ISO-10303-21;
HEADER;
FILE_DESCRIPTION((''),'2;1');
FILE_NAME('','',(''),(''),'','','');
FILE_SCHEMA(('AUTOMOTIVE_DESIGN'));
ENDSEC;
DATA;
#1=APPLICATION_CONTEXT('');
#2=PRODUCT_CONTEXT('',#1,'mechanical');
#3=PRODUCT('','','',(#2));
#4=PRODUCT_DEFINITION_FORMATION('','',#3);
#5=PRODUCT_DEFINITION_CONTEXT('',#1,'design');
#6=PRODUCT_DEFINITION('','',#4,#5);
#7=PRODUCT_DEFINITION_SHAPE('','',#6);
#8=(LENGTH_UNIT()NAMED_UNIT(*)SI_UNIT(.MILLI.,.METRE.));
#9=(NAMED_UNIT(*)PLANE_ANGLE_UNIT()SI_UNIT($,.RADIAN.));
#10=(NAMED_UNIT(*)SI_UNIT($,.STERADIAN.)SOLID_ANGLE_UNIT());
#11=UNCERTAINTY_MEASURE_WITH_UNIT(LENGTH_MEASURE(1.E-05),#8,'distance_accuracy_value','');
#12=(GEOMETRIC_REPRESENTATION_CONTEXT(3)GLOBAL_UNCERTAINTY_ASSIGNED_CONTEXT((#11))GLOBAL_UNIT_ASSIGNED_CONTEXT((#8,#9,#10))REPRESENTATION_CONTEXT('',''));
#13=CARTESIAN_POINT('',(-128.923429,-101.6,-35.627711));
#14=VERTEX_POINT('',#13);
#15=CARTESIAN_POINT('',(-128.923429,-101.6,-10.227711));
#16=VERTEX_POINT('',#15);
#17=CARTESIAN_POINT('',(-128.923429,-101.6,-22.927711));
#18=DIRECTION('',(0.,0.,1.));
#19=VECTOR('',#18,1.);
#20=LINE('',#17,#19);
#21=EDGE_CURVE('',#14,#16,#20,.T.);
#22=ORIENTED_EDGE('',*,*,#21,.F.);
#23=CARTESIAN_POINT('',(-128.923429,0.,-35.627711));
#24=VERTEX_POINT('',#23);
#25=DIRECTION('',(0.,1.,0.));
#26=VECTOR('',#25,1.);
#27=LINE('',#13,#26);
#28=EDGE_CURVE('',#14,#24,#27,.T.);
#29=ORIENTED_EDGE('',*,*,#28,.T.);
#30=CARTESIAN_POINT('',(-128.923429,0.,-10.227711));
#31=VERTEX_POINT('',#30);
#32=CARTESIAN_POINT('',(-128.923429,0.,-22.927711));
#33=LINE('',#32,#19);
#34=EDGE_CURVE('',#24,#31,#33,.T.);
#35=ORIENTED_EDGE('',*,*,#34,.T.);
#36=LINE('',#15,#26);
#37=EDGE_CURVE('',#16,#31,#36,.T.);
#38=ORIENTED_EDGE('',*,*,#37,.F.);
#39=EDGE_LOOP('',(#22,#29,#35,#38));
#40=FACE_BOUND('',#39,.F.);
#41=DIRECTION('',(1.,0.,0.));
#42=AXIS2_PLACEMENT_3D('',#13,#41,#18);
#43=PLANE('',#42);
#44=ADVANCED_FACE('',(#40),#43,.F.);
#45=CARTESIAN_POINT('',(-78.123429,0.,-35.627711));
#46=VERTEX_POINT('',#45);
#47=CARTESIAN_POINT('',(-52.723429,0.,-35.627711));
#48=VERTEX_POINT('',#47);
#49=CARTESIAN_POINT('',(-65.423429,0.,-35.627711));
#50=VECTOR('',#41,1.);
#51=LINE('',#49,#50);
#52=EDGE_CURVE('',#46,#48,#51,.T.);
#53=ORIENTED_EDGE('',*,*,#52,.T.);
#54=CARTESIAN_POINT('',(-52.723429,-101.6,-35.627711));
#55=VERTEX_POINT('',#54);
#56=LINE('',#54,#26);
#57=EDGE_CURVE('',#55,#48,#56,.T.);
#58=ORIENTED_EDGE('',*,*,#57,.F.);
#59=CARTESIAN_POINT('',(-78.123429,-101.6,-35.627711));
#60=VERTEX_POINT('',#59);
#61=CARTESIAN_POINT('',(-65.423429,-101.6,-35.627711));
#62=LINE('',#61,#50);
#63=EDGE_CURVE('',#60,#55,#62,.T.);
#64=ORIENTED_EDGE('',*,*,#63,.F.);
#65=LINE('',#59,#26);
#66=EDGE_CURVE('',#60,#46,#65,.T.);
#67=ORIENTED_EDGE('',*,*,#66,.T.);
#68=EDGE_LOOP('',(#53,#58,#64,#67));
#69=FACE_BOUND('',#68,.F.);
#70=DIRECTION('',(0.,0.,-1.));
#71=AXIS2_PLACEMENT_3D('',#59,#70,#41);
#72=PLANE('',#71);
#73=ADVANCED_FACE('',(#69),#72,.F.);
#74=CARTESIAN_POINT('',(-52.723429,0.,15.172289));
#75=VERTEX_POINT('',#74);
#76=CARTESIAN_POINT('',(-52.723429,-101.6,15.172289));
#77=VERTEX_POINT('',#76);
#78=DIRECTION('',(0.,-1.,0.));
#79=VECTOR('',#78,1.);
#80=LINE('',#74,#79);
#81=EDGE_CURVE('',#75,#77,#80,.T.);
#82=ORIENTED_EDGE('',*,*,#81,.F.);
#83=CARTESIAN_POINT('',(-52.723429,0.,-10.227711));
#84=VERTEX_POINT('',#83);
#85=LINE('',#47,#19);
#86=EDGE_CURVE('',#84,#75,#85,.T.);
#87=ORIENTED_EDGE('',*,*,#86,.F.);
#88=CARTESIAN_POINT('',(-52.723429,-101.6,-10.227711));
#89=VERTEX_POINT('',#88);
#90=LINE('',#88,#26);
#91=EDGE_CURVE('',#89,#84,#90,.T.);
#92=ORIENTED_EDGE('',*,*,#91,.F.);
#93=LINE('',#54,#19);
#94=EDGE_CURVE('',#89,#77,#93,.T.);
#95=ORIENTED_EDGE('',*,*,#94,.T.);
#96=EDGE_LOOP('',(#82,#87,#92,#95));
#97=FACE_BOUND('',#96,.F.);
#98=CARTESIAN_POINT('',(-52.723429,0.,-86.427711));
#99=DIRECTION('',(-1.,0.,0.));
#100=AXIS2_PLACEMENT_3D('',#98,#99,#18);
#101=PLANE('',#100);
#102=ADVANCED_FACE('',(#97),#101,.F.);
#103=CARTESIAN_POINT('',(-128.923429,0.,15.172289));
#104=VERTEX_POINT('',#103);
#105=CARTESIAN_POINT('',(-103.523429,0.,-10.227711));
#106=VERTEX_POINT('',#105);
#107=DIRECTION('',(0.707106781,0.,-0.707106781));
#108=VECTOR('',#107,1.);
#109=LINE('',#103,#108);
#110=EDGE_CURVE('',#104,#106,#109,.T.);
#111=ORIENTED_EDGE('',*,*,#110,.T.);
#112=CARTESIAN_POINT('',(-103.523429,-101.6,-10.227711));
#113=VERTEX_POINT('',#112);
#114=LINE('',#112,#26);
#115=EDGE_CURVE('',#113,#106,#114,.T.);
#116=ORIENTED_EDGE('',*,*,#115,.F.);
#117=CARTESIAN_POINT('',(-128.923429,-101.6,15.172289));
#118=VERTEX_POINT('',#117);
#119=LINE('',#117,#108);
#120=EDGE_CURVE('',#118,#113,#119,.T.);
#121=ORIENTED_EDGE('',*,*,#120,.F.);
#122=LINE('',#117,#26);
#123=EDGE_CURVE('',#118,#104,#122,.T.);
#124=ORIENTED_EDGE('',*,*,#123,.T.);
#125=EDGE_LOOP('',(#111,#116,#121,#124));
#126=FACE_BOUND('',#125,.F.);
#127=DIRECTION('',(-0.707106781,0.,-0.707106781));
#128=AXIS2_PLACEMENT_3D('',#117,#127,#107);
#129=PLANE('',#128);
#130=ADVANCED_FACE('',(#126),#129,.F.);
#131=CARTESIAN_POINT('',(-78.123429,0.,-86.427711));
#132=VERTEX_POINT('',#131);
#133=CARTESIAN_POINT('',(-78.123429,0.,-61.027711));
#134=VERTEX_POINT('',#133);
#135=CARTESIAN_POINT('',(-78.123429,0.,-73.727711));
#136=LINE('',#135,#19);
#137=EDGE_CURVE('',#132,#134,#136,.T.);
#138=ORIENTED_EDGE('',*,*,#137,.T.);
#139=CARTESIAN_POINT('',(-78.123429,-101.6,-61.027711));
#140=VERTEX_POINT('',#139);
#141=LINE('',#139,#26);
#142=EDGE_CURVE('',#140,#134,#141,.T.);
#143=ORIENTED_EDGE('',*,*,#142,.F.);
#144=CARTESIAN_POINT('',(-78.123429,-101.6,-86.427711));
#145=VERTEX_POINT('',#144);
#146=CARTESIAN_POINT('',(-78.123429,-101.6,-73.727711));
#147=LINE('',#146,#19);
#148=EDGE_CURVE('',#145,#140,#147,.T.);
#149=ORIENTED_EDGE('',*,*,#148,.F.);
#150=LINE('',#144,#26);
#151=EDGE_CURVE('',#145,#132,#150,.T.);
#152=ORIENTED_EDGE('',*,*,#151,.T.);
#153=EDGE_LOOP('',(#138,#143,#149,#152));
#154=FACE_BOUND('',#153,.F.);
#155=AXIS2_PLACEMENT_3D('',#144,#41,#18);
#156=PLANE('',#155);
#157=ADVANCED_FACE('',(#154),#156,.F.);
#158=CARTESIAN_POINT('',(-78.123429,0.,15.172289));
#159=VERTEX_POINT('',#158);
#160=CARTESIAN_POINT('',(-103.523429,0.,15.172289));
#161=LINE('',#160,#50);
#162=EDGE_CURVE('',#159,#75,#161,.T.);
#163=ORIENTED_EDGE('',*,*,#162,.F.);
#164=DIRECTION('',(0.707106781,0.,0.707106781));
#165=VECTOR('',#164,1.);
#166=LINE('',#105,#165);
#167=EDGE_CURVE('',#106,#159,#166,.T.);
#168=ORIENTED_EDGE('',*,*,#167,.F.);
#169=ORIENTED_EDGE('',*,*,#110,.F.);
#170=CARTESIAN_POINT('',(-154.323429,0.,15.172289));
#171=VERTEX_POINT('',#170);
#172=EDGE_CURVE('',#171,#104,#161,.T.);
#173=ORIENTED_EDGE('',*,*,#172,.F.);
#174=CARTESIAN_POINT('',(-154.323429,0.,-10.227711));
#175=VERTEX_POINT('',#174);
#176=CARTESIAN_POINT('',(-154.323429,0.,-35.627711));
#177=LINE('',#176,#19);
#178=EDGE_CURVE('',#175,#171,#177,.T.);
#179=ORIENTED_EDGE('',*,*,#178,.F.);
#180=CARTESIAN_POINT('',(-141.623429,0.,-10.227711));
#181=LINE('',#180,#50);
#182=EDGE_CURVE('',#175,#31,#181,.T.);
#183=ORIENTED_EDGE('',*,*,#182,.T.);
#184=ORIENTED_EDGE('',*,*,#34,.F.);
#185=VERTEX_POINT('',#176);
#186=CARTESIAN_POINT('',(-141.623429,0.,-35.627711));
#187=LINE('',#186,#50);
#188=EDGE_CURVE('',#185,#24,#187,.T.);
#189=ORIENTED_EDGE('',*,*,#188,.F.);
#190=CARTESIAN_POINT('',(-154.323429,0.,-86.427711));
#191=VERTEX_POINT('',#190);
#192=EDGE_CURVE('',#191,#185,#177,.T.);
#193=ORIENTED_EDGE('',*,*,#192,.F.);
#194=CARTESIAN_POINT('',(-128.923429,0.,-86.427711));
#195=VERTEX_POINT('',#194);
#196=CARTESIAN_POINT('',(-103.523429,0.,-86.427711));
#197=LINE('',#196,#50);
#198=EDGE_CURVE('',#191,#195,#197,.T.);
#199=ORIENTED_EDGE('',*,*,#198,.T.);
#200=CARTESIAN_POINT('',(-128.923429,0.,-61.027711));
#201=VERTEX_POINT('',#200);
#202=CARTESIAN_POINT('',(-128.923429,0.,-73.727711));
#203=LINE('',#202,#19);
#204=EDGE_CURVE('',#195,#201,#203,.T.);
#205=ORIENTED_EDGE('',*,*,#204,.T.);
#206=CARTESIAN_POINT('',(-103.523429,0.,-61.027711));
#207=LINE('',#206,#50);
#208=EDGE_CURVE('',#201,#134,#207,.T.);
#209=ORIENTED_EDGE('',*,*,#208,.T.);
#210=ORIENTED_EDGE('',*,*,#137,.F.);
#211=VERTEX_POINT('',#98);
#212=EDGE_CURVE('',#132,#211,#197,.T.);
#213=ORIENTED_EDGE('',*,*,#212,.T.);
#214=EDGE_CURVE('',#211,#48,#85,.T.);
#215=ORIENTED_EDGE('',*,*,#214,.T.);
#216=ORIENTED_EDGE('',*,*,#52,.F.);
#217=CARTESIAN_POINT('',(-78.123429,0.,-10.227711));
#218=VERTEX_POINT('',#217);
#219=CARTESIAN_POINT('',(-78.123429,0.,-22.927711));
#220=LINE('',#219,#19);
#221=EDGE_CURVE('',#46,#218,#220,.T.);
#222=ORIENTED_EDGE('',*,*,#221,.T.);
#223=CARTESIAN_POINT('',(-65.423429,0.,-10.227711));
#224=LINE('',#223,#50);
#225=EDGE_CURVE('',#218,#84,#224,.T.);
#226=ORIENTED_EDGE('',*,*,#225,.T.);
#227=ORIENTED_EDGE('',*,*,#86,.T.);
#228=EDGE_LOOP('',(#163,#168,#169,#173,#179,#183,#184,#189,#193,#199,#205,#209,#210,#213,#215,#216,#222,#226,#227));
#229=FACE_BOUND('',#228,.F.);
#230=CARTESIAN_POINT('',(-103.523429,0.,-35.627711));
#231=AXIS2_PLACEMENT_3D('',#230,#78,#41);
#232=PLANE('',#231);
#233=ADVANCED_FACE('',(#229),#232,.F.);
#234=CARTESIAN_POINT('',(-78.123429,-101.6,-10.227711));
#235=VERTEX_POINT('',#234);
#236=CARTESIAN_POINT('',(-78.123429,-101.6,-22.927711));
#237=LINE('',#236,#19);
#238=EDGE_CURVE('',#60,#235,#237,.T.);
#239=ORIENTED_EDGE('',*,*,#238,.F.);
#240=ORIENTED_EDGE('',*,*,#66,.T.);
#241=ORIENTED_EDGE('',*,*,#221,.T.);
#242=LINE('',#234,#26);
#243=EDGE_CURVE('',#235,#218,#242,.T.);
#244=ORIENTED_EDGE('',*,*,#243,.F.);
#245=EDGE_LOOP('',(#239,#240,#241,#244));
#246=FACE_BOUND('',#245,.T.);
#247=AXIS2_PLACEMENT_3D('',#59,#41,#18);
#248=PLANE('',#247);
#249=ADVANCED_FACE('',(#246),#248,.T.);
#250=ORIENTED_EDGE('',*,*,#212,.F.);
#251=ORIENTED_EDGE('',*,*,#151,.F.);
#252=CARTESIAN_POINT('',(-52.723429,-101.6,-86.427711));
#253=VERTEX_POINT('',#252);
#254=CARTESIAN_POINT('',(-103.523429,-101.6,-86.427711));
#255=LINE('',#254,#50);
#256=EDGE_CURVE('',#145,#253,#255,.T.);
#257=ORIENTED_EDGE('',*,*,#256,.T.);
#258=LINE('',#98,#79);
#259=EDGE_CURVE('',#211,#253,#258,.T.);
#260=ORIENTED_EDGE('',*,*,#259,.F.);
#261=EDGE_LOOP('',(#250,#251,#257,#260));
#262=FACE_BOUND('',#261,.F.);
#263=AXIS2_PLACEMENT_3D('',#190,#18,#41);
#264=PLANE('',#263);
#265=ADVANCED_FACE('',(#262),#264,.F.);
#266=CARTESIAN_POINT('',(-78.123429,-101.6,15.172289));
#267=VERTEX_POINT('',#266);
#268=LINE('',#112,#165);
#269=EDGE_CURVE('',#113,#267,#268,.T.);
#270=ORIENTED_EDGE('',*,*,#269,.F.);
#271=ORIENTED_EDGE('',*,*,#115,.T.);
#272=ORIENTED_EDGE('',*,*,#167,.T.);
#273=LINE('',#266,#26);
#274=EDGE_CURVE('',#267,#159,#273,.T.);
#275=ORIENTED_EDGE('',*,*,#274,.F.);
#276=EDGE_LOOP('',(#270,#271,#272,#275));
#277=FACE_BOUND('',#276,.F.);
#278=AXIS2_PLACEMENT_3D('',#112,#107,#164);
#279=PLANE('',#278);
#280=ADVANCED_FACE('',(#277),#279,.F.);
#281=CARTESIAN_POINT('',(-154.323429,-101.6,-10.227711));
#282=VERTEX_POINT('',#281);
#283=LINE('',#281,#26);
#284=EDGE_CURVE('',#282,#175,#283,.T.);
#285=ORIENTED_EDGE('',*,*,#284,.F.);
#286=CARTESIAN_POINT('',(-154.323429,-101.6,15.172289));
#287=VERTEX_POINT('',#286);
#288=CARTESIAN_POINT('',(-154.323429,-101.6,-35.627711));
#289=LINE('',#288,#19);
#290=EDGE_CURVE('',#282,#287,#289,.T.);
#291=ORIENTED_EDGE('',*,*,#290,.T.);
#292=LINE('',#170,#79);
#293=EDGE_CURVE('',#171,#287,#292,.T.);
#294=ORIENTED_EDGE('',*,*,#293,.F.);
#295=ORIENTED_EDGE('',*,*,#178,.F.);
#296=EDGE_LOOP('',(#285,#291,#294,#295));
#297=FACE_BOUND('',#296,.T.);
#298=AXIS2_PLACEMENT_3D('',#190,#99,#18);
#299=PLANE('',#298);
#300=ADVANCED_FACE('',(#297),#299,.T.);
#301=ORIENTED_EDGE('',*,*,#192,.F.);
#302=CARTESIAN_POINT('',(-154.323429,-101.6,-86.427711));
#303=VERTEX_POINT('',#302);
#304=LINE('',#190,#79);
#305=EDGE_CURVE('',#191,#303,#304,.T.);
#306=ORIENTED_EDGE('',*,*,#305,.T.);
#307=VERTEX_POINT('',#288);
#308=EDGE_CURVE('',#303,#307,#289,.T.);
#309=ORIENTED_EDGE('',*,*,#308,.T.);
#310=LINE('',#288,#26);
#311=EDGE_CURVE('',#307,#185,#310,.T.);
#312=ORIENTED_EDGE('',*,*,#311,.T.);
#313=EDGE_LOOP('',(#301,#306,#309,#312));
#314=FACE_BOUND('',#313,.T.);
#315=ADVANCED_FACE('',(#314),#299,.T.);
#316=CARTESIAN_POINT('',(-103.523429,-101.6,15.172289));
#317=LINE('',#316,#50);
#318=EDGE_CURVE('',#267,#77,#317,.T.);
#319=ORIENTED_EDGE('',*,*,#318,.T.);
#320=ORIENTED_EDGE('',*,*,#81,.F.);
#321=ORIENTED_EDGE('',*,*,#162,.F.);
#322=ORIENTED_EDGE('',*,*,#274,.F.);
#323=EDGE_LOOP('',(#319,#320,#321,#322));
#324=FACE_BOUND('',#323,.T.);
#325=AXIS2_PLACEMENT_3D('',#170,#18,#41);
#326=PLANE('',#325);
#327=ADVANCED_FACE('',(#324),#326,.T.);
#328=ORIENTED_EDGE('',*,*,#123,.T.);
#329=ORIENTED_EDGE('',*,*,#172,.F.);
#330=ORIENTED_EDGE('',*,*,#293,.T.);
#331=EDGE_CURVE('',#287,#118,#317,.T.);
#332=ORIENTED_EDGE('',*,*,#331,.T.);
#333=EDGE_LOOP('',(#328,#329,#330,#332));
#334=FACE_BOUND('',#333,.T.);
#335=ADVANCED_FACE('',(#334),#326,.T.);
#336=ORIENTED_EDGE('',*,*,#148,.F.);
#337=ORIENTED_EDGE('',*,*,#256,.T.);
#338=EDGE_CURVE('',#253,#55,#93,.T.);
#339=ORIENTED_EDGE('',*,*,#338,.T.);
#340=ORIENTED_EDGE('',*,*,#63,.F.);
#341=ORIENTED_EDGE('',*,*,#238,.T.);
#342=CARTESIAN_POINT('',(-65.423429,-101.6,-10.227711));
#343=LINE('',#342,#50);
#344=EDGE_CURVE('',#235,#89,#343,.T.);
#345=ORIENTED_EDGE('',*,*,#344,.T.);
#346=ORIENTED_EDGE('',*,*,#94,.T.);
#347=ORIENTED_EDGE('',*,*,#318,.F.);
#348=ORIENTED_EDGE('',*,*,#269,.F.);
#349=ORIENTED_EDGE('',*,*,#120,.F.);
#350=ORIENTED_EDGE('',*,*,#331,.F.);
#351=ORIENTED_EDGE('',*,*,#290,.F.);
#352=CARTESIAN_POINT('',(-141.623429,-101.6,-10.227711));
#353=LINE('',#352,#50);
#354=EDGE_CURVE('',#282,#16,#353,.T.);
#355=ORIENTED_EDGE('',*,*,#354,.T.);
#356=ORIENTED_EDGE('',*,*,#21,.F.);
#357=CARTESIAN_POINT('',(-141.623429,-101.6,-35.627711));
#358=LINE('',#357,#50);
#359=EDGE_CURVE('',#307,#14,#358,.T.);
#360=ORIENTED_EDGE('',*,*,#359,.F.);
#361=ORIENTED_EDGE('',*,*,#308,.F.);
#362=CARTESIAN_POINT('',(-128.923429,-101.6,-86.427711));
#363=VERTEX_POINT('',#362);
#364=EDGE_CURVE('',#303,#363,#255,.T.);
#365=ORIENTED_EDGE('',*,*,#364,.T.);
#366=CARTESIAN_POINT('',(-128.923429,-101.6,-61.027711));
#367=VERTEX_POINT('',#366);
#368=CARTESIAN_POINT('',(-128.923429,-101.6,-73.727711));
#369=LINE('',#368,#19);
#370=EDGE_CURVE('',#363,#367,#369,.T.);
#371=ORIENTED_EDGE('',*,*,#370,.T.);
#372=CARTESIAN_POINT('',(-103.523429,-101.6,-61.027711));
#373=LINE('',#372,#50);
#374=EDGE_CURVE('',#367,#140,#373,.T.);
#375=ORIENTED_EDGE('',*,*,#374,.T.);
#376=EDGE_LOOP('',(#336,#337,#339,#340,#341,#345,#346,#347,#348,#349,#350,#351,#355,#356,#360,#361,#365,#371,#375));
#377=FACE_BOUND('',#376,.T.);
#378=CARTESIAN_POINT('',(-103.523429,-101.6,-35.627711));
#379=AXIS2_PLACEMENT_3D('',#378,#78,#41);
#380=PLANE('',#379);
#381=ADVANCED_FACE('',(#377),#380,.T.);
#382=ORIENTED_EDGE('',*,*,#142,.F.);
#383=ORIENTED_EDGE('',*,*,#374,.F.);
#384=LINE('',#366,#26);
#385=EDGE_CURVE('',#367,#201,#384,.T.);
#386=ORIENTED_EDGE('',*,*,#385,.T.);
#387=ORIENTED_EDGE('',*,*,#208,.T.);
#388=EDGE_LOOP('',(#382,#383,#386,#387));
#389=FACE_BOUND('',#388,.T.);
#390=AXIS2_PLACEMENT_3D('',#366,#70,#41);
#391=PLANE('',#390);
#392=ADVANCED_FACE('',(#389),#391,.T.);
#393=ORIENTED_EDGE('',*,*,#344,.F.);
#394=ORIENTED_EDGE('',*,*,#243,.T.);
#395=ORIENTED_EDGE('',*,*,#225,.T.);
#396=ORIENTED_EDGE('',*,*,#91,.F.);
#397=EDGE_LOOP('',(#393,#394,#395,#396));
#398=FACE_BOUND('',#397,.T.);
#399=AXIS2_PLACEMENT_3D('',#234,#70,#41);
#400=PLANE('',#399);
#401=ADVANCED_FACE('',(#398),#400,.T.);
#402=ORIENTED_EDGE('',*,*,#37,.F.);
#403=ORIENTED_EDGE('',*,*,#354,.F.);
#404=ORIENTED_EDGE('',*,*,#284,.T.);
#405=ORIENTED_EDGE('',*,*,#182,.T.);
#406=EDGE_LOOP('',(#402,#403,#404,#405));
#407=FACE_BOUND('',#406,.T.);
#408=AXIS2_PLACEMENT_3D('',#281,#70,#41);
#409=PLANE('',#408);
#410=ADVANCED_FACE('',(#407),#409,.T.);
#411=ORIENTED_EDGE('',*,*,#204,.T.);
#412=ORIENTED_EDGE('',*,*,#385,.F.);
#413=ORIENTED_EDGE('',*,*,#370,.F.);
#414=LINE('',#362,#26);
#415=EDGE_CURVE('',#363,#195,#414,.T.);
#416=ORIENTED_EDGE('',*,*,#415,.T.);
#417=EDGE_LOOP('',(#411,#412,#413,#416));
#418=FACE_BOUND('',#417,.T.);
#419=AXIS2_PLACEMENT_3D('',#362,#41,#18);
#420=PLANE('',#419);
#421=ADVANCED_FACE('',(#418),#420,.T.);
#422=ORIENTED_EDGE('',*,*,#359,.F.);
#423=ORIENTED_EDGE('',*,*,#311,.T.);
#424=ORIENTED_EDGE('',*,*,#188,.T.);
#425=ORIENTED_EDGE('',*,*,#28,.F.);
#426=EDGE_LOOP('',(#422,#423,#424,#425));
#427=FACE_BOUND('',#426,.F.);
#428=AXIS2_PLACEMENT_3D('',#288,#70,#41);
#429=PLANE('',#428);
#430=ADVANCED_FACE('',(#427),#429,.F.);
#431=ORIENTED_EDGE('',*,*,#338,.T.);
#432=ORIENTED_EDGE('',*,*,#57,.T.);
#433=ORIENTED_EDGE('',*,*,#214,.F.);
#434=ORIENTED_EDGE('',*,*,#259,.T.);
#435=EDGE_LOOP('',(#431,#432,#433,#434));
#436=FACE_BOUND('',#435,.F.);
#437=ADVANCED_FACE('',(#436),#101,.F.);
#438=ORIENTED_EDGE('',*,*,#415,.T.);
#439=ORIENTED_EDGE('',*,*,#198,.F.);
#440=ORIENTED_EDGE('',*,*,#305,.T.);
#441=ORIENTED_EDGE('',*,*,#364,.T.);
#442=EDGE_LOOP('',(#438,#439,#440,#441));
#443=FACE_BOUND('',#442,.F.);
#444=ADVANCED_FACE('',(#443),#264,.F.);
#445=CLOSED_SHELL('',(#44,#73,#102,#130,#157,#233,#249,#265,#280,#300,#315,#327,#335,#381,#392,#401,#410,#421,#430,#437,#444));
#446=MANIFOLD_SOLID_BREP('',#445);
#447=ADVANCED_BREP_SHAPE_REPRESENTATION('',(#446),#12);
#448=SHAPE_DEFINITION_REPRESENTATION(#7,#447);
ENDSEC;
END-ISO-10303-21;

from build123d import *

# Parameters (mm, degrees)
F0_W     = 101.6
F0_H     = 101.6
F1_DEPTH = 101.6
F2_W     = 25.4
F2_H     = 25.4
F3_DEPTH = 101.6
F5_DEPTH = 101.6
F6_W     = 50.8
F6_H     = 25.4
F7_DEPTH = 101.6


with BuildPart() as f1:
    # F0 (on Front) → F1 (new body)
    with BuildSketch(Plane.XZ):
        with Locations((-103.523429, -35.627711)):
            Rectangle(F0_W, F0_H)
    extrude(amount=F1_DEPTH)

    # F2 (on face) → F3 (cut)
    with BuildSketch(Plane.XZ.offset(101.6)):
        with Locations((-65.423429, -22.927711)):
            Rectangle(F2_W, F2_H)
        with Locations((-141.623429, -22.927711)):
            Rectangle(F2_W, F2_H)
    extrude(amount=-F3_DEPTH, mode=Mode.SUBTRACT)

    # F4 (on face) → F5 (cut)
    with BuildSketch(Plane.XZ.offset(101.6)):
        Polygon((-128.923429, 15.172289), (-103.523429, -10.227711), (-78.123429, 15.172289), align=None)
    extrude(amount=-F5_DEPTH, mode=Mode.SUBTRACT)

    # F6 (on face) → F7 (cut)
    with BuildSketch(Plane.XZ.offset(101.6)):
        with Locations((-103.523429, -73.727711)):
            Rectangle(F6_W, F6_H)
    extrude(amount=-F7_DEPTH, mode=Mode.SUBTRACT)


solid = f1.part
